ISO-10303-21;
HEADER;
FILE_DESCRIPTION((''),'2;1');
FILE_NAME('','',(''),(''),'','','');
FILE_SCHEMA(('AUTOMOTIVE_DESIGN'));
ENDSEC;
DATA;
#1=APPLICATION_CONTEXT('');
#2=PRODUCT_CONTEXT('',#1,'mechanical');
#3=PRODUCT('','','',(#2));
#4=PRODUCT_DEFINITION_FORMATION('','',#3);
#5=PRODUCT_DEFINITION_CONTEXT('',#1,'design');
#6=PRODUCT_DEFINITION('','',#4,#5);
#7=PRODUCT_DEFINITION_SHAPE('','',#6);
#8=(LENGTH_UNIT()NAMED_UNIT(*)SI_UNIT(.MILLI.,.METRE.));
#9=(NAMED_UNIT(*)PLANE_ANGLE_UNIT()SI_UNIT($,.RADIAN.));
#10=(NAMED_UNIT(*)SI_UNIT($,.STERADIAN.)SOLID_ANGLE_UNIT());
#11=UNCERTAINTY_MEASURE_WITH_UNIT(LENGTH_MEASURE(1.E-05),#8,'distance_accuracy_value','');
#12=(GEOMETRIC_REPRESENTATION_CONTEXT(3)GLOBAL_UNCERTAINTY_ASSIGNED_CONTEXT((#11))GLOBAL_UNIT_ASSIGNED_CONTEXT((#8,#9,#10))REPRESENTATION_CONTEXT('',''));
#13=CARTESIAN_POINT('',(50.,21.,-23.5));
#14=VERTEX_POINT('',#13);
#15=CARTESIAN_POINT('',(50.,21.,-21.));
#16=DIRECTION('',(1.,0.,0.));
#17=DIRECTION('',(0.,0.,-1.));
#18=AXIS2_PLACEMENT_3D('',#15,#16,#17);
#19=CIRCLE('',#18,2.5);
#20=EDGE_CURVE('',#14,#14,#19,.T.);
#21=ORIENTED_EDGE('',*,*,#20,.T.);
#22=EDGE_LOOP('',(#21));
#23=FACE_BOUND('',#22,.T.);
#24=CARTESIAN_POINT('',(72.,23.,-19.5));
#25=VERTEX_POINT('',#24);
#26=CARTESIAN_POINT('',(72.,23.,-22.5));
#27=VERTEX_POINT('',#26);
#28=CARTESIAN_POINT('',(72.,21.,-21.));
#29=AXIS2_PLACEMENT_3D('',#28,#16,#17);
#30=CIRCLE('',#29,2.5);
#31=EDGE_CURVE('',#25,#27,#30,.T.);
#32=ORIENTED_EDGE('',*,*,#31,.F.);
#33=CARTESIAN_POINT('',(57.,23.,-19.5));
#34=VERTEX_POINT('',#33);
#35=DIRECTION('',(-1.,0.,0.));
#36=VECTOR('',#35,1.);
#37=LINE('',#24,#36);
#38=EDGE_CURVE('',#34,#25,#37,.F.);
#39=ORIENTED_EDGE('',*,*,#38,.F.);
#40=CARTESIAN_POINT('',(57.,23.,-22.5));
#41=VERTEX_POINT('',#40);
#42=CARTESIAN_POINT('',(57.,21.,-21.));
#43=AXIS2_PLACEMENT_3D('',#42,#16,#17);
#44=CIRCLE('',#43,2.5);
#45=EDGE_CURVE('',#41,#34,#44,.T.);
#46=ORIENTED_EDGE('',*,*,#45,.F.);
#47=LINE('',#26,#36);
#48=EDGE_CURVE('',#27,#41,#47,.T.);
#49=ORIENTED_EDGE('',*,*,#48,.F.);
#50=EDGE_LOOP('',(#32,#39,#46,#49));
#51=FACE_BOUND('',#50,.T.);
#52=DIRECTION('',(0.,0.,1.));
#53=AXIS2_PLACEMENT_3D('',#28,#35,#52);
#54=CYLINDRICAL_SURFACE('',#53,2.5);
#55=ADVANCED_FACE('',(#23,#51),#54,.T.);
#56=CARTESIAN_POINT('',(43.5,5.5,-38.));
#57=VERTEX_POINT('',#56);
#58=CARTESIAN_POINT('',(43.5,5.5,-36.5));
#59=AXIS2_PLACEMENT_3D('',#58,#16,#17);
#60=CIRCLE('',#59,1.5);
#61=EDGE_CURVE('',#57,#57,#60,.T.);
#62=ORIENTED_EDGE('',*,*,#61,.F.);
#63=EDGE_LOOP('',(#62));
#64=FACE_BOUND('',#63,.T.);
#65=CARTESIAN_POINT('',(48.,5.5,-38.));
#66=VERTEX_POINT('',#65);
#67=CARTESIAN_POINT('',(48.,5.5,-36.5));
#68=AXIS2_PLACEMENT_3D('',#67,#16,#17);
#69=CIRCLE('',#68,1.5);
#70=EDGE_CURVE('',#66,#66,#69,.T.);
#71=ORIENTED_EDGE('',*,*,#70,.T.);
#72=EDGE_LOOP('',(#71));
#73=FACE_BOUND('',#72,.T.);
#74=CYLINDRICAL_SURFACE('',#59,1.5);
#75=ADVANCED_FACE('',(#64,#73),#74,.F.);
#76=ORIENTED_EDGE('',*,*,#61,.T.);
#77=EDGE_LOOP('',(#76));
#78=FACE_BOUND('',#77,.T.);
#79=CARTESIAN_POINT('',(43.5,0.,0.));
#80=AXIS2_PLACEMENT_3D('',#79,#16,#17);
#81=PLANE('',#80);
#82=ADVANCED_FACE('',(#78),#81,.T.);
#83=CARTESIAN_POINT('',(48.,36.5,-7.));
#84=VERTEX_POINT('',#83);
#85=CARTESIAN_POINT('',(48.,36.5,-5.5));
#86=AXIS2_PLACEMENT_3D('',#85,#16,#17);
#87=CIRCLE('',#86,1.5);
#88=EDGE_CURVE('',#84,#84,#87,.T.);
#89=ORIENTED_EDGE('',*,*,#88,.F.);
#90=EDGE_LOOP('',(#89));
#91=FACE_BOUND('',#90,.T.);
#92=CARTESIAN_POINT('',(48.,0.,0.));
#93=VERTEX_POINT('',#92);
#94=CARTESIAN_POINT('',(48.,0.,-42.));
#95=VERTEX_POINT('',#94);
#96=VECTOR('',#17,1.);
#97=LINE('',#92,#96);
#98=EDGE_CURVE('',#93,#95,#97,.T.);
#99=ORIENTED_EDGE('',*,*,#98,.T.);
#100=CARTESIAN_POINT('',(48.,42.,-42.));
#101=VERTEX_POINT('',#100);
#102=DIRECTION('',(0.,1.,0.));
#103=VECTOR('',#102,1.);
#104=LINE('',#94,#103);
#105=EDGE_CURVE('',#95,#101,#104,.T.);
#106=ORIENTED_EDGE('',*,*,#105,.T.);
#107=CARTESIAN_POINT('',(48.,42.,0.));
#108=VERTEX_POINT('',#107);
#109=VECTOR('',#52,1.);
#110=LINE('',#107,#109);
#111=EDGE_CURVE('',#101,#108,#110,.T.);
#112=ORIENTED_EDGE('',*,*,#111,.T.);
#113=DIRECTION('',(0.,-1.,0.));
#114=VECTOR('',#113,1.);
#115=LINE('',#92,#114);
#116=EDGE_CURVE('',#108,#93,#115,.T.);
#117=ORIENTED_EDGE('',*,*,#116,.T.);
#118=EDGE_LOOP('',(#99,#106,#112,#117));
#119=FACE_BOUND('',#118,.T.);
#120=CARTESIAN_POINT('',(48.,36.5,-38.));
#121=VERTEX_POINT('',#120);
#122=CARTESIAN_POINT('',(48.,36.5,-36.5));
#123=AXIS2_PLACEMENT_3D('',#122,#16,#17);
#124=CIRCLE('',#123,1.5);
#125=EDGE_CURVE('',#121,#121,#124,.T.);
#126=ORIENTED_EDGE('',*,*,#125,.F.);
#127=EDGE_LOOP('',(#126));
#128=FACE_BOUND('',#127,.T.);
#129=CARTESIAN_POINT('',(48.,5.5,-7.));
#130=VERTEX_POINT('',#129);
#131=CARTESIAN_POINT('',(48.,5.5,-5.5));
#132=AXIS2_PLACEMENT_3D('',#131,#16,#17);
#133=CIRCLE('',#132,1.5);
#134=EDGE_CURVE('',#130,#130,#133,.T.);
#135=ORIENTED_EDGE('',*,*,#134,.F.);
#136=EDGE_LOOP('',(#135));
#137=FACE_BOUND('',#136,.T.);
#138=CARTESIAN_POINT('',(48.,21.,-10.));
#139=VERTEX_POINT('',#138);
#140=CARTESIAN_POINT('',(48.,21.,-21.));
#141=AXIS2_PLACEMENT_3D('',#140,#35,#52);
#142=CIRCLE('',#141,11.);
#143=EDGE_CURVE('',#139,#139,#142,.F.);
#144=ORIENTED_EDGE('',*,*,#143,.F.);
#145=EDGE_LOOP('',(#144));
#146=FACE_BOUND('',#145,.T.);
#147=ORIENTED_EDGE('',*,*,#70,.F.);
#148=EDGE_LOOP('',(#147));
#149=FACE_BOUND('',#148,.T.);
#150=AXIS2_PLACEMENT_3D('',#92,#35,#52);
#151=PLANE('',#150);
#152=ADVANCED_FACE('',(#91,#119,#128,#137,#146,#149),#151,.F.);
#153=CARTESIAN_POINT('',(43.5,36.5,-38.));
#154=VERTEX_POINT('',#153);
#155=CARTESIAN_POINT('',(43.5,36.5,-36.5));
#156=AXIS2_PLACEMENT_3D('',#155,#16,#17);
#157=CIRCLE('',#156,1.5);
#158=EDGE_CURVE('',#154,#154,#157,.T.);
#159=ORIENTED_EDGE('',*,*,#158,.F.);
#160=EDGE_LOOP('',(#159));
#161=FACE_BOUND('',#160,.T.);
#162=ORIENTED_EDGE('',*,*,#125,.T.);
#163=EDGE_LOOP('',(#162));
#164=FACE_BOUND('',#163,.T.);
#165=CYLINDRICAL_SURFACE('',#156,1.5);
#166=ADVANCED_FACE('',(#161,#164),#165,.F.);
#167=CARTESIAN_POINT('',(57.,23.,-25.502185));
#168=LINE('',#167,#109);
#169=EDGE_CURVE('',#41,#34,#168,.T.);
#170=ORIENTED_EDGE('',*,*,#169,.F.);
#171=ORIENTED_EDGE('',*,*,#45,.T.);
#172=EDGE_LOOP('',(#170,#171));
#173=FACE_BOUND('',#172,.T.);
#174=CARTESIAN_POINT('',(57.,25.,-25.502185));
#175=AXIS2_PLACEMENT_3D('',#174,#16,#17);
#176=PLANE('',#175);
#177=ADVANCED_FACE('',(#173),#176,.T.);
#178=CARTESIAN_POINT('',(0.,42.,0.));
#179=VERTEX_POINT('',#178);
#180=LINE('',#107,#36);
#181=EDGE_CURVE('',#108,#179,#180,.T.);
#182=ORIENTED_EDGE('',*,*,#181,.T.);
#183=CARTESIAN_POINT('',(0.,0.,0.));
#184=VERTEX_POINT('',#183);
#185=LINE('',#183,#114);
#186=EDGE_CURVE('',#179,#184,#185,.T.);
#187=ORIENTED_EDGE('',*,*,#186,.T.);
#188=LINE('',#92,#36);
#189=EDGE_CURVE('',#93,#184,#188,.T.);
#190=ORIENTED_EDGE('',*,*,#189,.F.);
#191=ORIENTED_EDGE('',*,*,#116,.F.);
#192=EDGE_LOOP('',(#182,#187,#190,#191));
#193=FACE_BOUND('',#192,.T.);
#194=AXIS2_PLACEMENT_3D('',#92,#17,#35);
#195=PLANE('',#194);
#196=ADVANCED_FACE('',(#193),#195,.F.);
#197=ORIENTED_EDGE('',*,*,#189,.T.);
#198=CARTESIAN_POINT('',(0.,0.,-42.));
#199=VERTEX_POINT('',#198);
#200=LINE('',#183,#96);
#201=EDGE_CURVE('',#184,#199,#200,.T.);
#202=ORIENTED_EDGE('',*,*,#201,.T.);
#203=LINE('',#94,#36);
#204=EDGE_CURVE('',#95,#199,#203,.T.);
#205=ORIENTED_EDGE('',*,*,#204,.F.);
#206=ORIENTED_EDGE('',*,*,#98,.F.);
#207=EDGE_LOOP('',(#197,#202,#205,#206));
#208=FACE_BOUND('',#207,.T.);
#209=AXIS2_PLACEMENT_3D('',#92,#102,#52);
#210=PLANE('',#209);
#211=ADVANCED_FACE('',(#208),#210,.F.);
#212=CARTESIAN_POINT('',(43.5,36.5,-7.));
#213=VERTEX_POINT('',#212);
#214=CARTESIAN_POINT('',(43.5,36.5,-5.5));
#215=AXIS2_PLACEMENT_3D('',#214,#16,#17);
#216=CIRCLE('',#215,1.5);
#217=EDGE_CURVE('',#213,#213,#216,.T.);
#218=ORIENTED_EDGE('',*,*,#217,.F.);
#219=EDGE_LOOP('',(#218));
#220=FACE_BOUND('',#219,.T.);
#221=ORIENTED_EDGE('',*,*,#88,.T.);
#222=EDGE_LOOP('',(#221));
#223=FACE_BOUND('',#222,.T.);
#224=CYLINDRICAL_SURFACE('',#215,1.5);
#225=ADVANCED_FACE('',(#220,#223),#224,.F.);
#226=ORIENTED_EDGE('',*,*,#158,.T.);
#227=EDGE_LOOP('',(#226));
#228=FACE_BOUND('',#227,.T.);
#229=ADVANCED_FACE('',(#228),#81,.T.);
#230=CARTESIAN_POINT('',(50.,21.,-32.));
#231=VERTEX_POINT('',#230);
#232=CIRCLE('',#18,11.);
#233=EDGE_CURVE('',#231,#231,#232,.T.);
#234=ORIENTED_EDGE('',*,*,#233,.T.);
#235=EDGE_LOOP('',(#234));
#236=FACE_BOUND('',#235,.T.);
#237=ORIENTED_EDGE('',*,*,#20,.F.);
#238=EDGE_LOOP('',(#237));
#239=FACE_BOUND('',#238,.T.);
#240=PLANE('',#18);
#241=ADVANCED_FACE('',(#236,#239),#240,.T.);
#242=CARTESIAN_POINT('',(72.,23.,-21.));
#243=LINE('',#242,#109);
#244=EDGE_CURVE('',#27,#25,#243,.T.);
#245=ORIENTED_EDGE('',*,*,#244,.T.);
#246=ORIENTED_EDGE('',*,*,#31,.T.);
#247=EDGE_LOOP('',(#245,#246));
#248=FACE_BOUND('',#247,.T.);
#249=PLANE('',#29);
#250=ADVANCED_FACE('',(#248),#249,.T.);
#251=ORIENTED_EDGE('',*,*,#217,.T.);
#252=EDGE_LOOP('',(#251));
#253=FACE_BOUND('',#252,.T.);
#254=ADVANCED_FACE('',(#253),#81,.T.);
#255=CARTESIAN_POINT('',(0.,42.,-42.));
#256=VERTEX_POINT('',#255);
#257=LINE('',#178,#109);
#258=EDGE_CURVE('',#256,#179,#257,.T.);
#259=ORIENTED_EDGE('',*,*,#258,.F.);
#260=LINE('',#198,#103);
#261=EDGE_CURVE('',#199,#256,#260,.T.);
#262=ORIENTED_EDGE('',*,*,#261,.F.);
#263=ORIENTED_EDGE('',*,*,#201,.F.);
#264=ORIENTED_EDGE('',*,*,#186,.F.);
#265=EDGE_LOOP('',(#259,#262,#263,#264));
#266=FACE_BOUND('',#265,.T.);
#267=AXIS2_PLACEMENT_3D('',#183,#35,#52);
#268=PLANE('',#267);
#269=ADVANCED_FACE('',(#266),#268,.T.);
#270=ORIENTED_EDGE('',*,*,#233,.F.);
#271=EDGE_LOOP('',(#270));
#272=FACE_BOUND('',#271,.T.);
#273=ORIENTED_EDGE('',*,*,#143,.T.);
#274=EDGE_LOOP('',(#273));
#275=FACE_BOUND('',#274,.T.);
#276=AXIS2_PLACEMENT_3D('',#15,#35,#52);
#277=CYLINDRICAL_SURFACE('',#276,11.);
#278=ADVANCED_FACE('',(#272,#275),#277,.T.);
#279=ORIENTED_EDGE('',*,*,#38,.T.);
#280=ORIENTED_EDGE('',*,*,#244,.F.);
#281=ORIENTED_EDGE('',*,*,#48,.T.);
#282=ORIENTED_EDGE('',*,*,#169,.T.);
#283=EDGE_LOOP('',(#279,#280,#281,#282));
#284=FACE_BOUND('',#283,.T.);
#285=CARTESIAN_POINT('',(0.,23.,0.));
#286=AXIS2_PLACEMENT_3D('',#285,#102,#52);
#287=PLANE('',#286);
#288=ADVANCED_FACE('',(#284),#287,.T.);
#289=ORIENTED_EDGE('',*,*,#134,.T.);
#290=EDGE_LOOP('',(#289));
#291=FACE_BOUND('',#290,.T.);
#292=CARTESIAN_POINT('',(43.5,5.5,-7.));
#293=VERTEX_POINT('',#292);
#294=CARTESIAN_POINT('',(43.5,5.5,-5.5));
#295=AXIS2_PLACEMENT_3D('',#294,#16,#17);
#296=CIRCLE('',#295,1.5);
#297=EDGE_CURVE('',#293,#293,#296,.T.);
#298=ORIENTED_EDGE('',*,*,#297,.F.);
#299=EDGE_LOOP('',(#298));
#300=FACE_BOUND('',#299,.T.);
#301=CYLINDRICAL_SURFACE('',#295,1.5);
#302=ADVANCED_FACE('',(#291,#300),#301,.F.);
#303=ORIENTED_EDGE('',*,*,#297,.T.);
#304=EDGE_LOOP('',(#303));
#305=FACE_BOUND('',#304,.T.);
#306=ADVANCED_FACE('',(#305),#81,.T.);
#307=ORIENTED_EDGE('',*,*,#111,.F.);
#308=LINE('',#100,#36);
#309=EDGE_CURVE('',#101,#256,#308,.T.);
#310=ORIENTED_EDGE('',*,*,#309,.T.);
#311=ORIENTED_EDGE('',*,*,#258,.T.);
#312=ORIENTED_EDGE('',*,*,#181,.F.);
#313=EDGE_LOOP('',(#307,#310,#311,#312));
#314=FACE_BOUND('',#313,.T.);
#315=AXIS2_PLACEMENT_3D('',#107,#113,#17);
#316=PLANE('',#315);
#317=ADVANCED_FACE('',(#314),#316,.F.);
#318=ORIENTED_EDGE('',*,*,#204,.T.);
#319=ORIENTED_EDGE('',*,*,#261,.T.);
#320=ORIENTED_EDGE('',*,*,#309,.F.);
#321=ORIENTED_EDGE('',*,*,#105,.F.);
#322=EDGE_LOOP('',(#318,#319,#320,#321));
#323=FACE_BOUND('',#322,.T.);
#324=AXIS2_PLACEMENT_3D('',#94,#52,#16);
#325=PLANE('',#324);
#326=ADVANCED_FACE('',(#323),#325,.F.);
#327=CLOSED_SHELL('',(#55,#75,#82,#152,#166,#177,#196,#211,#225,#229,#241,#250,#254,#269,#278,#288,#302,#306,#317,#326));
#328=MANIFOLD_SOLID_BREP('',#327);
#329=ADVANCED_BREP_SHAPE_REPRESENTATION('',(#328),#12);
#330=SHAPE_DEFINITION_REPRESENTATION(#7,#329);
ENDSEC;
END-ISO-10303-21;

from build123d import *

# Parameters (mm, degrees)
SKETCH1_W           = 42
SKETCH1_H           = 42
BOSS_EXTRUDE1_DEPTH = 48
SKETCH3_R           = 11
BOSS_EXTRUDE2_DEPTH = 2
SKETCH4_R           = 2.5
BOSS_EXTRUDE3_DEPTH = 22
SKETCH5_W           = 15
SKETCH5_H           = 9.626973265
CUT_EXTRUDE1_DEPTH  = 2
CUT_EXTRUDE2_DEPTH  = 4.5


with BuildPart() as part:
    # Sketch1 → Boss-Extrude1 (new body)
    with BuildSketch(Plane(origin=(0, 0, 0), x_dir=(0, 0, -1), z_dir=(1, 0, 0))):
        with Locations((21, 21)):
            Rectangle(SKETCH1_W, SKETCH1_H)
    extrude(amount=BOSS_EXTRUDE1_DEPTH)

    # Sketch3 → Boss-Extrude2 (add)
    with BuildSketch(Plane(origin=(48, 0, 0), x_dir=(0, 0, -1), z_dir=(1, 0, 0))):
        with Locations(Location((21, 21, 0), (0, 0, 180))):
            Circle(SKETCH3_R)
    extrude(amount=BOSS_EXTRUDE2_DEPTH)

    # Sketch4 → Boss-Extrude3 (add)
    with BuildSketch(Plane(origin=(50, 0, 0), x_dir=(0, 0, -1), z_dir=(1, 0, 0))):
        with Locations((21, 21)):
            Circle(SKETCH4_R)
    extrude(amount=BOSS_EXTRUDE3_DEPTH)

    # Sketch5 → Cut-Extrude1 (cut)
    with BuildSketch(Plane(origin=(0, 23, 0), x_dir=(1, 0, 0), z_dir=(0, 1, 0))):
        with Locations((64.5, 20.688698753)):
            Rectangle(SKETCH5_W, SKETCH5_H)
    extrude(amount=CUT_EXTRUDE1_DEPTH, mode=Mode.SUBTRACT)

    # Sketch6 → Cut-Extrude2 (cut)
    with BuildSketch(Plane(origin=(48, 0, 0), x_dir=(0, 0, -1), z_dir=(1, 0, 0))):
        with BuildLine():
            Line((5.5, 35), (5.5, 36.5))
            Line((5.5, 36.5), (7, 36.5))
            ThreePointArc((7, 36.5), (4.439339828, 37.560660172), (5.5, 35))
        make_face()
        with BuildLine():
            Line((7, 36.5), (5.5, 36.5))
            Line((5.5, 36.5), (5.5, 35))
            ThreePointArc((5.5, 35), (6.560660172, 35.439339828), (7, 36.5))
        make_face()
        with BuildLine():
            ThreePointArc((38, 36.5), (36.5, 38), (35, 36.5))
            Line((35, 36.5), (36.5, 36.5))
            Line((36.5, 36.5), (36.5, 35))
            ThreePointArc((36.5, 35), (37.560660172, 35.439339828), (38, 36.5))
        make_face()
        with BuildLine():
            Line((36.5, 36.5), (35, 36.5))
            ThreePointArc((35, 36.5), (35.439339828, 35.439339828), (36.5, 35))
            Line((36.5, 35), (36.5, 36.5))
        make_face()
        with BuildLine():
            ThreePointArc((38, 5.5), (37.560660172, 6.560660172), (36.5, 7))
            Line((36.5, 7), (36.5, 5.5))
            Line((36.5, 5.5), (35, 5.5))
            ThreePointArc((35, 5.5), (36.5, 4), (38, 5.5))
        make_face()
        with BuildLine():
            Line((36.5, 5.5), (36.5, 7))
            ThreePointArc((36.5, 7), (35.439339828, 6.560660172), (35, 5.5))
            Line((35, 5.5), (36.5, 5.5))
        make_face()
        with BuildLine():
            ThreePointArc((7, 5.5), (6.560660172, 6.560660172), (5.5, 7))
            Line((5.5, 7), (5.5, 5.5))
            Line((5.5, 5.5), (7, 5.5))
        make_face()
        with BuildLine():
            Line((5.5, 5.5), (5.5, 7))
            ThreePointArc((5.5, 7), (4.439339828, 4.439339828), (7, 5.5))
            Line((7, 5.5), (5.5, 5.5))
        make_face()
    extrude(amount=-CUT_EXTRUDE2_DEPTH, mode=Mode.SUBTRACT)


solid = part.part
